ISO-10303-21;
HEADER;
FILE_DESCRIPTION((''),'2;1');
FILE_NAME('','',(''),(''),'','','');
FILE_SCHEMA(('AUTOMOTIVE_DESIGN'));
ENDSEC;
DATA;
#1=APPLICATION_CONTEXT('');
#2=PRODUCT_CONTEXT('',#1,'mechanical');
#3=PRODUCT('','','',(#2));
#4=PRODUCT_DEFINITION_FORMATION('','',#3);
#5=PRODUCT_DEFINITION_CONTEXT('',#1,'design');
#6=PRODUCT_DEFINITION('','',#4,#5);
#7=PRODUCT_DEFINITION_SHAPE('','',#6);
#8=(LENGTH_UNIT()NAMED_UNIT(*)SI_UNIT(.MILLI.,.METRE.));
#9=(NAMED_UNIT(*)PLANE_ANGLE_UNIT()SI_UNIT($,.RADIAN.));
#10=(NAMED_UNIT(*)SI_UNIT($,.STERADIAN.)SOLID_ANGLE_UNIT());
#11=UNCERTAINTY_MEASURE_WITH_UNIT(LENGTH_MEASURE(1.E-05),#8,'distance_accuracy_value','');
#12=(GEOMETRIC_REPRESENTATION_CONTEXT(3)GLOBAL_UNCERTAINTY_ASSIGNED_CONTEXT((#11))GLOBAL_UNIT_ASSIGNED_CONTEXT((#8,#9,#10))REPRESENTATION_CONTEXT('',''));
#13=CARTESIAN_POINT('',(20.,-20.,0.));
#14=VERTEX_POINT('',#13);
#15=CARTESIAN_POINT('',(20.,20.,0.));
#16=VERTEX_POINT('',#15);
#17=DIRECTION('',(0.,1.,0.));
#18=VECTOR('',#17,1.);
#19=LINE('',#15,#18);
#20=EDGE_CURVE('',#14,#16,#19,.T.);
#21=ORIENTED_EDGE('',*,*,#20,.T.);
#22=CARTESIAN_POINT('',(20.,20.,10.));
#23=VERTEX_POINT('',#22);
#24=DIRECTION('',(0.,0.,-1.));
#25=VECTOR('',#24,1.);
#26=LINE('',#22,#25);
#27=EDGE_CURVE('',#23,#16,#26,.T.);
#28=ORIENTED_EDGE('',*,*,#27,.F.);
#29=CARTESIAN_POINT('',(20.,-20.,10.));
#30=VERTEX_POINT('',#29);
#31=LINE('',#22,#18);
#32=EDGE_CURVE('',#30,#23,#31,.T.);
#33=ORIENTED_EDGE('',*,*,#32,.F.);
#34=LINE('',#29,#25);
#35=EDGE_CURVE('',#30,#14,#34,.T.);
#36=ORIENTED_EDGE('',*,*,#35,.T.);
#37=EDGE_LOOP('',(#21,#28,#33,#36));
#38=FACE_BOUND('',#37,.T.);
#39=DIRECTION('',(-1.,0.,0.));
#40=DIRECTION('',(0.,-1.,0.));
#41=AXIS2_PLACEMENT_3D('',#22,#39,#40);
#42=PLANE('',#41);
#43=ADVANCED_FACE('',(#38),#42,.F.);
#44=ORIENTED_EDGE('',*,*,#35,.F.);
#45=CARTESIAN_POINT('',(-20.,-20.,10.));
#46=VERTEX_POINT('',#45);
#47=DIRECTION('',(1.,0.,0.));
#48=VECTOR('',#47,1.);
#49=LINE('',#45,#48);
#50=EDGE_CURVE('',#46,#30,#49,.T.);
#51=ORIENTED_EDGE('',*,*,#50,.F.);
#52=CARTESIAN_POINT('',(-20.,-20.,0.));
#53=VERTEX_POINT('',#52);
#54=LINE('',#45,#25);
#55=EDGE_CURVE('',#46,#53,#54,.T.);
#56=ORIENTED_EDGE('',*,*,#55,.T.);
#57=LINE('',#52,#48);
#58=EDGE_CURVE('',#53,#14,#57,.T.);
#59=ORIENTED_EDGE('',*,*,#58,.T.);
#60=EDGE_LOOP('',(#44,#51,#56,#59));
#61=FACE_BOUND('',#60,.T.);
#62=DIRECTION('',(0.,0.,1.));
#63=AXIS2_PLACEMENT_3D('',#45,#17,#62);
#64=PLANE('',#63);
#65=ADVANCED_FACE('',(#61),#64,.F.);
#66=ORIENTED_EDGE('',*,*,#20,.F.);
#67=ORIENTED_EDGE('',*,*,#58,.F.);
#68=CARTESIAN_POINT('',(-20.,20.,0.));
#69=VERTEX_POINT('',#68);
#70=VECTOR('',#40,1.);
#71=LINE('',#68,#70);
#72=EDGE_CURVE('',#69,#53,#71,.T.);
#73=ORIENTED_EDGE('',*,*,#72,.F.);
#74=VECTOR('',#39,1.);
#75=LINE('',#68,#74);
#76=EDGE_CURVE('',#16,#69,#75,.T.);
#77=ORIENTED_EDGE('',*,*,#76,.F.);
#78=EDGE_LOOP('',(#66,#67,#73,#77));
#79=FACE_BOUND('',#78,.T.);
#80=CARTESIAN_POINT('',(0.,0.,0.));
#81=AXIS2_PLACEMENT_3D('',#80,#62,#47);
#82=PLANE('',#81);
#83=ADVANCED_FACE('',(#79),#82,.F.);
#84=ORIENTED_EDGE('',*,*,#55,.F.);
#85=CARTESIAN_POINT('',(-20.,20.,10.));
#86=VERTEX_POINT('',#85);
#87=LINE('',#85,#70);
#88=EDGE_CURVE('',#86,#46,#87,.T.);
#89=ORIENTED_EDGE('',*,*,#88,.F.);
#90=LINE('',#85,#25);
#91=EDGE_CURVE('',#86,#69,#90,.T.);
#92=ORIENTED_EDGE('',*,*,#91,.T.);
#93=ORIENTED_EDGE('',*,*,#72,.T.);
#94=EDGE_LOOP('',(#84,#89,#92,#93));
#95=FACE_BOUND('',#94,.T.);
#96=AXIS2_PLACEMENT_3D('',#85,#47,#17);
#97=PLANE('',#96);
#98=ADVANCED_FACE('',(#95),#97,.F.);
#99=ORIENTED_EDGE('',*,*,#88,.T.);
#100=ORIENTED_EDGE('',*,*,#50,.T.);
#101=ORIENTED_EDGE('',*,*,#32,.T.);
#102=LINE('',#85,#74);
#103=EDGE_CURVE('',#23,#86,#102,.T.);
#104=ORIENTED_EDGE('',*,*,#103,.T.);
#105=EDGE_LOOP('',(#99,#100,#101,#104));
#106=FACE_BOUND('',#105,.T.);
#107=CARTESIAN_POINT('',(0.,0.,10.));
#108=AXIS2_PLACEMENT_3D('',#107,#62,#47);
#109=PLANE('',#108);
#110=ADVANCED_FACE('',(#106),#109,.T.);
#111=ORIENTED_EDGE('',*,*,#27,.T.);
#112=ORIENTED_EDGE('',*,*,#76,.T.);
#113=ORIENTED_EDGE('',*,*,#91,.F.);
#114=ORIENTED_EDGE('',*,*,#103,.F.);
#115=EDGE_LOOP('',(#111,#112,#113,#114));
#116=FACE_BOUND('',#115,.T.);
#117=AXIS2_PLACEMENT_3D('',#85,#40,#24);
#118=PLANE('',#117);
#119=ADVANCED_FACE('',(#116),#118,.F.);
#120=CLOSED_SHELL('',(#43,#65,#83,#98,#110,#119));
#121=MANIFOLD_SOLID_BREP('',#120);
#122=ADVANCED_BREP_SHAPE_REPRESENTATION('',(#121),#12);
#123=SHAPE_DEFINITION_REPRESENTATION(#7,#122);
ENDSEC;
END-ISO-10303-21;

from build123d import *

# Parameters (mm, degrees)
CROQUIS1_W              = 40
CROQUIS1_H              = 40
SALIENTE_EXTRUIR1_DEPTH = 10


with BuildPart() as part:
    # Croquis1 → Saliente-Extruir1 (new body)
    with BuildSketch(Plane.XY):
        Rectangle(CROQUIS1_W, CROQUIS1_H)
    extrude(amount=SALIENTE_EXTRUIR1_DEPTH)


solid = part.part
